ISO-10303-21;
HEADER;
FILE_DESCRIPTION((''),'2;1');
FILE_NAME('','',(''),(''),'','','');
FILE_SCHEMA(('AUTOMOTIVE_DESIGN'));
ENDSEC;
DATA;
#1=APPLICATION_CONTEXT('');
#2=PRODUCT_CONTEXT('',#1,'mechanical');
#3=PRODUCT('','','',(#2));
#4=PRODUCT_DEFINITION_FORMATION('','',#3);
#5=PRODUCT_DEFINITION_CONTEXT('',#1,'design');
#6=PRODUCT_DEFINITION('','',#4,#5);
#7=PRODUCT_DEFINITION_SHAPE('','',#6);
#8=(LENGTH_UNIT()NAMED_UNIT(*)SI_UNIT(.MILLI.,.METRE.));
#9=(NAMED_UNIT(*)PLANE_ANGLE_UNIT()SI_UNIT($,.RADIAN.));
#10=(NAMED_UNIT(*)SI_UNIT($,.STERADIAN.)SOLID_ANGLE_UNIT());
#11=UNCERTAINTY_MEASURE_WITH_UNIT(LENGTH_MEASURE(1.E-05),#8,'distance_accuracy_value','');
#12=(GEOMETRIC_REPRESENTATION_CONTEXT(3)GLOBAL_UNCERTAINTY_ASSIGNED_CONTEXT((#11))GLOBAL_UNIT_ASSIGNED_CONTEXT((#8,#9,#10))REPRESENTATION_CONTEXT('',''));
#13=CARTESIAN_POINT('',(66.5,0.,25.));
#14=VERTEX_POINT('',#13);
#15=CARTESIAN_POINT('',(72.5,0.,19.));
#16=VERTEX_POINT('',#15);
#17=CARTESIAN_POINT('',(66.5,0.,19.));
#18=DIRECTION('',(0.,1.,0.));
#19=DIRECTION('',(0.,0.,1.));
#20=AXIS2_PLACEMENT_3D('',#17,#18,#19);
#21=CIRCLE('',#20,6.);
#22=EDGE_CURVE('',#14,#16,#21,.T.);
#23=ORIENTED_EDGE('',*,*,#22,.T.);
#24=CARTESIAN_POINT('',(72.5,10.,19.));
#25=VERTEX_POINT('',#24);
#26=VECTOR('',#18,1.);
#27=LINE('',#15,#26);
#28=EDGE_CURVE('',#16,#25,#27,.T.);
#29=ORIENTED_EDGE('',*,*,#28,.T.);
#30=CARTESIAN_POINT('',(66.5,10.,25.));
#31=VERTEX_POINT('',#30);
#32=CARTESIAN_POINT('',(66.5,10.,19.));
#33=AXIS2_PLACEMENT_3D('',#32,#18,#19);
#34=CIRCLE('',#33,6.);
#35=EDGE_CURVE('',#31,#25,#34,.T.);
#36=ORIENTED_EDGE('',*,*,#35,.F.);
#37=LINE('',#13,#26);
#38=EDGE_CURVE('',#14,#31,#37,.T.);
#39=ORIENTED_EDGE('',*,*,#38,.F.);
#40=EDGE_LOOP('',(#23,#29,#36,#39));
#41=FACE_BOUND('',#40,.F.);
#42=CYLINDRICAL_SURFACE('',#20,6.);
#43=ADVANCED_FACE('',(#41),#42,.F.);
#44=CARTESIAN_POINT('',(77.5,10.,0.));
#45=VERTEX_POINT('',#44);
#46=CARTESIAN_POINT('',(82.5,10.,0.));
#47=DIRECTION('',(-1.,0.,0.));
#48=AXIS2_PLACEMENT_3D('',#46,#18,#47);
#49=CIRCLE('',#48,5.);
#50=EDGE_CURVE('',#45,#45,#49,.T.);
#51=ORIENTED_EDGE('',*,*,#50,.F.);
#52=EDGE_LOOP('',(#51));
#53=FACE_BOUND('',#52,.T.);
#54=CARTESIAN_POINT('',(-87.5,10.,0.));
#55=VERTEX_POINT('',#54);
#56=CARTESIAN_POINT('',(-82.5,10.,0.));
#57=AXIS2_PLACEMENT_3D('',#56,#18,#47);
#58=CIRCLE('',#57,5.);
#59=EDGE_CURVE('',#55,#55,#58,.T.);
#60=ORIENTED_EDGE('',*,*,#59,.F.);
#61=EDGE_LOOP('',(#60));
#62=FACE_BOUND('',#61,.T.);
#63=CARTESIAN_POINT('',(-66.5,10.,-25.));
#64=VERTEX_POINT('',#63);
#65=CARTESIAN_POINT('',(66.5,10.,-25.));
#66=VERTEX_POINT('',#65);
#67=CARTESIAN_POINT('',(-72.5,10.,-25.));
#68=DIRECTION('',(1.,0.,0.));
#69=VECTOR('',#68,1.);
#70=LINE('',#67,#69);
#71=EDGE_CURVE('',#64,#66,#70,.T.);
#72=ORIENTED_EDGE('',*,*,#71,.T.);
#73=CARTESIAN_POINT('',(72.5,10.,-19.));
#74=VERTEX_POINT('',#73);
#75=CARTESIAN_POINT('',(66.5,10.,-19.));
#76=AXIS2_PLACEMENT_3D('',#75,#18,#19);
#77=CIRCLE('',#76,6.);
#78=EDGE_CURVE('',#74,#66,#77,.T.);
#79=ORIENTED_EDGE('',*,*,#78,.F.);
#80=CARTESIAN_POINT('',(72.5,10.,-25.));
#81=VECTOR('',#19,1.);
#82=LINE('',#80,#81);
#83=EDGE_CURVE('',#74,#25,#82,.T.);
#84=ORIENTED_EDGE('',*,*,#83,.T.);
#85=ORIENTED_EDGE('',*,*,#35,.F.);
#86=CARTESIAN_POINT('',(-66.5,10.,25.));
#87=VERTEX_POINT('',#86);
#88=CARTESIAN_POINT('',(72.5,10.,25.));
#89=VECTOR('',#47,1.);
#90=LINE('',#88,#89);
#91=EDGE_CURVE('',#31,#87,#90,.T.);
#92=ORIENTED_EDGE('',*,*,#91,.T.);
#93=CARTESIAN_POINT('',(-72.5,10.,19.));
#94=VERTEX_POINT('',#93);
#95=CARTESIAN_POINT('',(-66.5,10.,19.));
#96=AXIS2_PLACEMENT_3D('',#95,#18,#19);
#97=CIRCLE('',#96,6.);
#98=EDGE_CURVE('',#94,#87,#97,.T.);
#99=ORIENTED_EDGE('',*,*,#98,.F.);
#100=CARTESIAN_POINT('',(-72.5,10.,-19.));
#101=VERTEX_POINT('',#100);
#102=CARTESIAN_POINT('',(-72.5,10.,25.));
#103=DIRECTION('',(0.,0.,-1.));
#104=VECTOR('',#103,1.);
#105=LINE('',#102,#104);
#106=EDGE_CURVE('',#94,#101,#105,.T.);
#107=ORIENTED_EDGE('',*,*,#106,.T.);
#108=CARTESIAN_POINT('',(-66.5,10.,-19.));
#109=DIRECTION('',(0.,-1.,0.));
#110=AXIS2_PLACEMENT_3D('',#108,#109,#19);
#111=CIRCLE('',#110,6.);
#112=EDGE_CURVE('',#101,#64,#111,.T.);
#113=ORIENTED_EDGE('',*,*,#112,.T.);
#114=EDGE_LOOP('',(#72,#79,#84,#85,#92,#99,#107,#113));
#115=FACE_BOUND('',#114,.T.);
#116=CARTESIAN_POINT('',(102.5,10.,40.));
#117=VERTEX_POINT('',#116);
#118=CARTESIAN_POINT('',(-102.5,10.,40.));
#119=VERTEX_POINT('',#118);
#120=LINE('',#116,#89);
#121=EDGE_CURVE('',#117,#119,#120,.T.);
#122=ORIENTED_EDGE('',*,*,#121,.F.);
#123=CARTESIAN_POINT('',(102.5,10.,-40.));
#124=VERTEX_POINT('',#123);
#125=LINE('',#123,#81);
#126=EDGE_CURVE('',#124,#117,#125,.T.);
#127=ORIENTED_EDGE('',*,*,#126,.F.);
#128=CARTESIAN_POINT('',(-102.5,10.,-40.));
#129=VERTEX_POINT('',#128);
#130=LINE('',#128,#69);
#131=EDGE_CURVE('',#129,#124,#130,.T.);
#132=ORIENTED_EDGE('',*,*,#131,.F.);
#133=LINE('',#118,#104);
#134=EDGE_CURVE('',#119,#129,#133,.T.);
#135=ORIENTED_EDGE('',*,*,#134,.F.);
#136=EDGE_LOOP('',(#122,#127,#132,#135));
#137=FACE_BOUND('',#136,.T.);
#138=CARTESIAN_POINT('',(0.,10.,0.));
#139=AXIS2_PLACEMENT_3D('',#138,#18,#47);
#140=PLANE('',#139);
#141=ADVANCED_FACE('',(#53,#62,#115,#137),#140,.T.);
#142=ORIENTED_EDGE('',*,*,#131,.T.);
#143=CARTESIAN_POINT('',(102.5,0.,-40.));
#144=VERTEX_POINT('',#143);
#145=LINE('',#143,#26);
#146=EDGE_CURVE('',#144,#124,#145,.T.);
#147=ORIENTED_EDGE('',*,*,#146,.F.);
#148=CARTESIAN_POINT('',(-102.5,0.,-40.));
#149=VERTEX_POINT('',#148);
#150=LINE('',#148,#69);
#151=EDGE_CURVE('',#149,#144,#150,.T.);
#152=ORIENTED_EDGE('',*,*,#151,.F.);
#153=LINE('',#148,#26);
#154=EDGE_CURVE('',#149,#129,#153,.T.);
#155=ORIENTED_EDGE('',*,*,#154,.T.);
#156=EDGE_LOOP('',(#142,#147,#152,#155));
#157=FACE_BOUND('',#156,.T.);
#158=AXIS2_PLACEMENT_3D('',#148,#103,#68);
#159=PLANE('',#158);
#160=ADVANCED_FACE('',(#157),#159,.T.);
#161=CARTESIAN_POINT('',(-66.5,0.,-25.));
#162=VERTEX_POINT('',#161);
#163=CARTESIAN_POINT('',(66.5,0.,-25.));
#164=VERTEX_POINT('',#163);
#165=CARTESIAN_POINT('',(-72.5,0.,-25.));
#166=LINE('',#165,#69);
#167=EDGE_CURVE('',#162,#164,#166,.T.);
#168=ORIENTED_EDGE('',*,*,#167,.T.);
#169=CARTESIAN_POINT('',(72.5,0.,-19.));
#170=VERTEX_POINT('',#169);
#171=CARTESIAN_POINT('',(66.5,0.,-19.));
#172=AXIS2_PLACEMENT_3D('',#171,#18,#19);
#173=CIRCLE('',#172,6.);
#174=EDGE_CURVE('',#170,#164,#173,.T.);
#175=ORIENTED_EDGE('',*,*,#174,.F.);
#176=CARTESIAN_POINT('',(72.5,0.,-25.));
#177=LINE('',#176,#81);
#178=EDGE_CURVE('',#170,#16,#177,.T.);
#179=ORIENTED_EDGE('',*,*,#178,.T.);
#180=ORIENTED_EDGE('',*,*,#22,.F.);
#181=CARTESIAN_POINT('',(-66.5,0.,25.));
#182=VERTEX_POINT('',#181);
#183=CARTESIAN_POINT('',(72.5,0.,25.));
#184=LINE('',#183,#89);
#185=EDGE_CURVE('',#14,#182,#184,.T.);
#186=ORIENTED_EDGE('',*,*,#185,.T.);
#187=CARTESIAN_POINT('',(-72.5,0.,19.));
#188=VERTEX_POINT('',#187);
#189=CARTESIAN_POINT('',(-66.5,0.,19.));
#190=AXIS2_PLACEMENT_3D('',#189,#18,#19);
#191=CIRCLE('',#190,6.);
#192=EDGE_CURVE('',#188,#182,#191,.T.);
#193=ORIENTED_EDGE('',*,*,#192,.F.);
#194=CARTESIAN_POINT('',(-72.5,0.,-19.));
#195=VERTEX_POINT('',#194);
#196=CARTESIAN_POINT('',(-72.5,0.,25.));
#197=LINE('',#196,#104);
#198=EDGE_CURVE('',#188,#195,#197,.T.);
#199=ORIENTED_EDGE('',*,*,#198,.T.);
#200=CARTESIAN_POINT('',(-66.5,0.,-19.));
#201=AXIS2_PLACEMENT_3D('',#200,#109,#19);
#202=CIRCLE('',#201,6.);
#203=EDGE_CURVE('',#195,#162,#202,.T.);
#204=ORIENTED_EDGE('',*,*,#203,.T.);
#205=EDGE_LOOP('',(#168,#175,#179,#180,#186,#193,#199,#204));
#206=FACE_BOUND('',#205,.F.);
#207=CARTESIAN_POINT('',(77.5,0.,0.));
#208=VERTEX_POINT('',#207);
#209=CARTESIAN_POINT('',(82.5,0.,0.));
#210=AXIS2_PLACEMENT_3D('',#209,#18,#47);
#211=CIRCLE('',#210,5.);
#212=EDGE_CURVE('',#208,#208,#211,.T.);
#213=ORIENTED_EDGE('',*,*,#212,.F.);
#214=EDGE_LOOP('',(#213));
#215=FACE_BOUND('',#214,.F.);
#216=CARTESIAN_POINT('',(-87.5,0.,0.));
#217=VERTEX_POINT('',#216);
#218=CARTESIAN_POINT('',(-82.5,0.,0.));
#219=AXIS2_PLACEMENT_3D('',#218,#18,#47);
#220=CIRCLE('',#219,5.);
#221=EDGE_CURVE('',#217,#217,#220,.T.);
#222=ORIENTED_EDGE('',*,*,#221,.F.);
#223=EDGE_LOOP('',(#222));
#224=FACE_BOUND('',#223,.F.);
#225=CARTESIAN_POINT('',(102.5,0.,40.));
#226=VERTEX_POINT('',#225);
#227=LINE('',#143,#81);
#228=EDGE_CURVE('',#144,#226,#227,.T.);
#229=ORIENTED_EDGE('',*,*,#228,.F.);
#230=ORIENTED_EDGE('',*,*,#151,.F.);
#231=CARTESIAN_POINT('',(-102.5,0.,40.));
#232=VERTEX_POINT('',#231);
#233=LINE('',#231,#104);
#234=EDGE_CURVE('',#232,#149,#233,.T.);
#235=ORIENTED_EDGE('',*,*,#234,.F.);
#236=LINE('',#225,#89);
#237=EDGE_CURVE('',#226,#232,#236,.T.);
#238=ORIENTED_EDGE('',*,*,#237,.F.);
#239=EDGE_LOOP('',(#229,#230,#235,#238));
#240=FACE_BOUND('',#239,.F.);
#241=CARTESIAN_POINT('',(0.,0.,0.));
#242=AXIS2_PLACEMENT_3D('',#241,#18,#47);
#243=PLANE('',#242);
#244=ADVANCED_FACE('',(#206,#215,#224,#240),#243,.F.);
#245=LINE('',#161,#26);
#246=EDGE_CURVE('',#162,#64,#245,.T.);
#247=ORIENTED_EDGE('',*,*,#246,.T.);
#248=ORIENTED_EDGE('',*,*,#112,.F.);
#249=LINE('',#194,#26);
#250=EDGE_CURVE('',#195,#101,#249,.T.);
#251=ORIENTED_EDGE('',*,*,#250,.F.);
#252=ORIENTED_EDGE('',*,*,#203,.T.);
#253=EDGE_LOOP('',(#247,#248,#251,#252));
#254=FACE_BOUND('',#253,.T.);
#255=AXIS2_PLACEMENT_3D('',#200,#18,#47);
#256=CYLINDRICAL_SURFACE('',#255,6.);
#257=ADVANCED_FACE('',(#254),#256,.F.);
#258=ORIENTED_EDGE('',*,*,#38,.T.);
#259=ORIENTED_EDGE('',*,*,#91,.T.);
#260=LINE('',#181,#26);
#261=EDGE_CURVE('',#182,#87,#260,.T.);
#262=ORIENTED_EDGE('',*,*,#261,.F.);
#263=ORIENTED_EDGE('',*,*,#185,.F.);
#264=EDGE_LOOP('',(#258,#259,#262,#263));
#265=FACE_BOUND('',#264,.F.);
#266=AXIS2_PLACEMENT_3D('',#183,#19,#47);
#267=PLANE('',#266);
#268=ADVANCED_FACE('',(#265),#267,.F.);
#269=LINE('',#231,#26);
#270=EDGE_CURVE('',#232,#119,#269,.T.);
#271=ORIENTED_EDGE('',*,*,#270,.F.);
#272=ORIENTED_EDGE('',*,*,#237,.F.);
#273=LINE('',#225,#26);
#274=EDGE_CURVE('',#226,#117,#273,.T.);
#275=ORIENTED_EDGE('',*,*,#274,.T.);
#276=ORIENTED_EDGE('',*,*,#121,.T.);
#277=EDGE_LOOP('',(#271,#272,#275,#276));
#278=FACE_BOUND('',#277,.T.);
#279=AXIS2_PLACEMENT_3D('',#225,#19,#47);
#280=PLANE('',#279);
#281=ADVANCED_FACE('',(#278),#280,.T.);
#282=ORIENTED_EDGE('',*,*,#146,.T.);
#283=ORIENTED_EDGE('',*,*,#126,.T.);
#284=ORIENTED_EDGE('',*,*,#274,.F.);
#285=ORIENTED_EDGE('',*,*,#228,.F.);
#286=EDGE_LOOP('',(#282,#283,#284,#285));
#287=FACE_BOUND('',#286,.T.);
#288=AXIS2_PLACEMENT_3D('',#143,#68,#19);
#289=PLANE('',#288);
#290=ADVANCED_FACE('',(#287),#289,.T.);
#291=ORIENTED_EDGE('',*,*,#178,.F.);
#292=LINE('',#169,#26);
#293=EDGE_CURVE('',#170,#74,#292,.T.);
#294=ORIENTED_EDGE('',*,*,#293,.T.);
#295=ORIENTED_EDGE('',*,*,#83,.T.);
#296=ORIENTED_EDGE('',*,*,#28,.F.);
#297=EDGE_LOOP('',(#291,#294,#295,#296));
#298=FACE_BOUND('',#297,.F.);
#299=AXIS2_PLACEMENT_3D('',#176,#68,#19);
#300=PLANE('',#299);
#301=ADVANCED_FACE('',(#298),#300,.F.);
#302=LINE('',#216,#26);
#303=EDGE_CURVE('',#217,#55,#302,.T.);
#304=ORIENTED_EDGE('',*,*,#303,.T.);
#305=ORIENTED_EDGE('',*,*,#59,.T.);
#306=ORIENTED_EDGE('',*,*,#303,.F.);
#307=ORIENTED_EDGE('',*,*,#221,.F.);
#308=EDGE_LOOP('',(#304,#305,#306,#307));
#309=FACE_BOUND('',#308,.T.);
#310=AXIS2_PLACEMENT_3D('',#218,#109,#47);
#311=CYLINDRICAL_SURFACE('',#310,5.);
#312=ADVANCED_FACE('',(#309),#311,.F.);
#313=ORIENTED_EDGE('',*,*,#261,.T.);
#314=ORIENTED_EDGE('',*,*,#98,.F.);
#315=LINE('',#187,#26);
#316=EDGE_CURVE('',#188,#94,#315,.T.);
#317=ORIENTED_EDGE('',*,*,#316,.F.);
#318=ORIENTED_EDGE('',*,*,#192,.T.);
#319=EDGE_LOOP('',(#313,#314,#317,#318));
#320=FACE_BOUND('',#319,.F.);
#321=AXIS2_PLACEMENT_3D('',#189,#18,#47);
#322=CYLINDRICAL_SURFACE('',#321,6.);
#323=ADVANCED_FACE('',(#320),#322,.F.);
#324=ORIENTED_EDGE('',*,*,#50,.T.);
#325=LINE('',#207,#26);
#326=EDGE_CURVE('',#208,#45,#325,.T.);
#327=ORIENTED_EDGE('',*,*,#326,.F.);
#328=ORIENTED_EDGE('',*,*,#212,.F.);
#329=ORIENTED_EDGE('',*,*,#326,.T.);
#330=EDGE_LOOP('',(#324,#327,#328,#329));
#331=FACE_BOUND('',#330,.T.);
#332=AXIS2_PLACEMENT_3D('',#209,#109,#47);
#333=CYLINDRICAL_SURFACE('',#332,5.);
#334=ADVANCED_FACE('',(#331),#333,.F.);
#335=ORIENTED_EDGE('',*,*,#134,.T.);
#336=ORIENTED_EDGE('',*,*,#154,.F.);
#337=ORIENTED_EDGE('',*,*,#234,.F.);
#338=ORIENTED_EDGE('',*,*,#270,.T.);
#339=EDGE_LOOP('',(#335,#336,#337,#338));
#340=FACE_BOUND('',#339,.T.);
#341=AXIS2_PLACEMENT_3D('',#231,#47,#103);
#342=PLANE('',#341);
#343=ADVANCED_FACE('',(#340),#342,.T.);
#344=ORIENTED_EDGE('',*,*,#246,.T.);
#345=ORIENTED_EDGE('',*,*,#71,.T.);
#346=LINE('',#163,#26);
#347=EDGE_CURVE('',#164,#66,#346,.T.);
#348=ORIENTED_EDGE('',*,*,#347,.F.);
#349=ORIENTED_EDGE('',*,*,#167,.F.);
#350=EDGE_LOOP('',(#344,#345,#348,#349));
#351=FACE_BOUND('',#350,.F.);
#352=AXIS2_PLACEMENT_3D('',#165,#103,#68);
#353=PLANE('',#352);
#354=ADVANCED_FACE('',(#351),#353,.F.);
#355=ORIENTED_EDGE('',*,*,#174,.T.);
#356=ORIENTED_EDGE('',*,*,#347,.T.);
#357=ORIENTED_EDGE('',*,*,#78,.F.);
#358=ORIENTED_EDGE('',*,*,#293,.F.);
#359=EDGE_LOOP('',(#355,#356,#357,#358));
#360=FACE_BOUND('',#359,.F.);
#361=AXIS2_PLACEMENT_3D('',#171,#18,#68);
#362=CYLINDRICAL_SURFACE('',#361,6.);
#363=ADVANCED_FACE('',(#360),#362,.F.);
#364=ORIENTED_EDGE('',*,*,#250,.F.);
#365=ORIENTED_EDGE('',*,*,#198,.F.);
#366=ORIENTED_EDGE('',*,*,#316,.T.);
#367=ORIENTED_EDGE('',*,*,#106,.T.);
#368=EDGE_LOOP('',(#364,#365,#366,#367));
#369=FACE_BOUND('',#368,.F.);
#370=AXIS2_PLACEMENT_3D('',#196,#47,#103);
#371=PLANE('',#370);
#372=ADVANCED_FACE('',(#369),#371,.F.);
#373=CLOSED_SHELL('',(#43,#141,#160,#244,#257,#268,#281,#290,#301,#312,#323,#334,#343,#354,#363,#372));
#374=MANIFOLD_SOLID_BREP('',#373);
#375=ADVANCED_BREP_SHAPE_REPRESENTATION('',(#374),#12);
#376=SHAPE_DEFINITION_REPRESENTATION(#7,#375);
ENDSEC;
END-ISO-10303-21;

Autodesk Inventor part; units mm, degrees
ref_plane "YZ Plane" through (0, 0, 0) normal (1, 0, 0) x (0, 1, 0)
ref_plane "XZ Plane" through (0, 0, 0) normal (0, 1, 0) x (-1, 0, 0)
ref_plane "XY Plane" through (0, 0, 0) normal (0, 0, 1) x (1, 0, 0)
sketch "Sketch4" plane through (0, 0, 0) normal (0, 1, 0) x (-1, 0, 0)
  line L0 (72.5, -25) -> (-72.5, -25)
  line L1 (-72.5, -25) -> (-72.5, 25)
  line L2 (-72.5, 25) -> (72.5, 25)
  line L3 (72.5, 25) -> (72.5, -25)
  line L4 (72.5, -25) -> (-72.5, 25) construction
  line L5 (-72.5, -25) -> (72.5, 25) construction
  line L6 (102.5, -40) -> (-102.5, -40)
  line L7 (-102.5, -40) -> (-102.5, 40)
  line L8 (-102.5, 40) -> (102.5, 40)
  line L9 (102.5, 40) -> (102.5, -40)
  line L10 (102.5, -40) -> (-102.5, 40) construction
  line L11 (-102.5, -40) -> (102.5, 40) construction
  circle A0 centre (82.5, 0) radius 5
  circle A1 centre (-82.5, 0) radius 5
  line L12 (0, -25) -> (0, 25) construction
  point P0 (0, 0)
  dimension "d23" = 145
  dimension "d24" = 50
  dimension "d25" = 205
  dimension "d26" = 80
  dimension "d27" = 165
  dimension "d28" = 10
extrude "Extrusion3" add sketch "Sketch4" along normal blind 10
fillet "Fillet2" radius 6 4 edges at (-72.5, 5, -25) (72.5, 5, -25) (72.5, 5, 25) (-72.5, 5, 25)
properties part number "DMF 01 54 lower sheet v2.1"
